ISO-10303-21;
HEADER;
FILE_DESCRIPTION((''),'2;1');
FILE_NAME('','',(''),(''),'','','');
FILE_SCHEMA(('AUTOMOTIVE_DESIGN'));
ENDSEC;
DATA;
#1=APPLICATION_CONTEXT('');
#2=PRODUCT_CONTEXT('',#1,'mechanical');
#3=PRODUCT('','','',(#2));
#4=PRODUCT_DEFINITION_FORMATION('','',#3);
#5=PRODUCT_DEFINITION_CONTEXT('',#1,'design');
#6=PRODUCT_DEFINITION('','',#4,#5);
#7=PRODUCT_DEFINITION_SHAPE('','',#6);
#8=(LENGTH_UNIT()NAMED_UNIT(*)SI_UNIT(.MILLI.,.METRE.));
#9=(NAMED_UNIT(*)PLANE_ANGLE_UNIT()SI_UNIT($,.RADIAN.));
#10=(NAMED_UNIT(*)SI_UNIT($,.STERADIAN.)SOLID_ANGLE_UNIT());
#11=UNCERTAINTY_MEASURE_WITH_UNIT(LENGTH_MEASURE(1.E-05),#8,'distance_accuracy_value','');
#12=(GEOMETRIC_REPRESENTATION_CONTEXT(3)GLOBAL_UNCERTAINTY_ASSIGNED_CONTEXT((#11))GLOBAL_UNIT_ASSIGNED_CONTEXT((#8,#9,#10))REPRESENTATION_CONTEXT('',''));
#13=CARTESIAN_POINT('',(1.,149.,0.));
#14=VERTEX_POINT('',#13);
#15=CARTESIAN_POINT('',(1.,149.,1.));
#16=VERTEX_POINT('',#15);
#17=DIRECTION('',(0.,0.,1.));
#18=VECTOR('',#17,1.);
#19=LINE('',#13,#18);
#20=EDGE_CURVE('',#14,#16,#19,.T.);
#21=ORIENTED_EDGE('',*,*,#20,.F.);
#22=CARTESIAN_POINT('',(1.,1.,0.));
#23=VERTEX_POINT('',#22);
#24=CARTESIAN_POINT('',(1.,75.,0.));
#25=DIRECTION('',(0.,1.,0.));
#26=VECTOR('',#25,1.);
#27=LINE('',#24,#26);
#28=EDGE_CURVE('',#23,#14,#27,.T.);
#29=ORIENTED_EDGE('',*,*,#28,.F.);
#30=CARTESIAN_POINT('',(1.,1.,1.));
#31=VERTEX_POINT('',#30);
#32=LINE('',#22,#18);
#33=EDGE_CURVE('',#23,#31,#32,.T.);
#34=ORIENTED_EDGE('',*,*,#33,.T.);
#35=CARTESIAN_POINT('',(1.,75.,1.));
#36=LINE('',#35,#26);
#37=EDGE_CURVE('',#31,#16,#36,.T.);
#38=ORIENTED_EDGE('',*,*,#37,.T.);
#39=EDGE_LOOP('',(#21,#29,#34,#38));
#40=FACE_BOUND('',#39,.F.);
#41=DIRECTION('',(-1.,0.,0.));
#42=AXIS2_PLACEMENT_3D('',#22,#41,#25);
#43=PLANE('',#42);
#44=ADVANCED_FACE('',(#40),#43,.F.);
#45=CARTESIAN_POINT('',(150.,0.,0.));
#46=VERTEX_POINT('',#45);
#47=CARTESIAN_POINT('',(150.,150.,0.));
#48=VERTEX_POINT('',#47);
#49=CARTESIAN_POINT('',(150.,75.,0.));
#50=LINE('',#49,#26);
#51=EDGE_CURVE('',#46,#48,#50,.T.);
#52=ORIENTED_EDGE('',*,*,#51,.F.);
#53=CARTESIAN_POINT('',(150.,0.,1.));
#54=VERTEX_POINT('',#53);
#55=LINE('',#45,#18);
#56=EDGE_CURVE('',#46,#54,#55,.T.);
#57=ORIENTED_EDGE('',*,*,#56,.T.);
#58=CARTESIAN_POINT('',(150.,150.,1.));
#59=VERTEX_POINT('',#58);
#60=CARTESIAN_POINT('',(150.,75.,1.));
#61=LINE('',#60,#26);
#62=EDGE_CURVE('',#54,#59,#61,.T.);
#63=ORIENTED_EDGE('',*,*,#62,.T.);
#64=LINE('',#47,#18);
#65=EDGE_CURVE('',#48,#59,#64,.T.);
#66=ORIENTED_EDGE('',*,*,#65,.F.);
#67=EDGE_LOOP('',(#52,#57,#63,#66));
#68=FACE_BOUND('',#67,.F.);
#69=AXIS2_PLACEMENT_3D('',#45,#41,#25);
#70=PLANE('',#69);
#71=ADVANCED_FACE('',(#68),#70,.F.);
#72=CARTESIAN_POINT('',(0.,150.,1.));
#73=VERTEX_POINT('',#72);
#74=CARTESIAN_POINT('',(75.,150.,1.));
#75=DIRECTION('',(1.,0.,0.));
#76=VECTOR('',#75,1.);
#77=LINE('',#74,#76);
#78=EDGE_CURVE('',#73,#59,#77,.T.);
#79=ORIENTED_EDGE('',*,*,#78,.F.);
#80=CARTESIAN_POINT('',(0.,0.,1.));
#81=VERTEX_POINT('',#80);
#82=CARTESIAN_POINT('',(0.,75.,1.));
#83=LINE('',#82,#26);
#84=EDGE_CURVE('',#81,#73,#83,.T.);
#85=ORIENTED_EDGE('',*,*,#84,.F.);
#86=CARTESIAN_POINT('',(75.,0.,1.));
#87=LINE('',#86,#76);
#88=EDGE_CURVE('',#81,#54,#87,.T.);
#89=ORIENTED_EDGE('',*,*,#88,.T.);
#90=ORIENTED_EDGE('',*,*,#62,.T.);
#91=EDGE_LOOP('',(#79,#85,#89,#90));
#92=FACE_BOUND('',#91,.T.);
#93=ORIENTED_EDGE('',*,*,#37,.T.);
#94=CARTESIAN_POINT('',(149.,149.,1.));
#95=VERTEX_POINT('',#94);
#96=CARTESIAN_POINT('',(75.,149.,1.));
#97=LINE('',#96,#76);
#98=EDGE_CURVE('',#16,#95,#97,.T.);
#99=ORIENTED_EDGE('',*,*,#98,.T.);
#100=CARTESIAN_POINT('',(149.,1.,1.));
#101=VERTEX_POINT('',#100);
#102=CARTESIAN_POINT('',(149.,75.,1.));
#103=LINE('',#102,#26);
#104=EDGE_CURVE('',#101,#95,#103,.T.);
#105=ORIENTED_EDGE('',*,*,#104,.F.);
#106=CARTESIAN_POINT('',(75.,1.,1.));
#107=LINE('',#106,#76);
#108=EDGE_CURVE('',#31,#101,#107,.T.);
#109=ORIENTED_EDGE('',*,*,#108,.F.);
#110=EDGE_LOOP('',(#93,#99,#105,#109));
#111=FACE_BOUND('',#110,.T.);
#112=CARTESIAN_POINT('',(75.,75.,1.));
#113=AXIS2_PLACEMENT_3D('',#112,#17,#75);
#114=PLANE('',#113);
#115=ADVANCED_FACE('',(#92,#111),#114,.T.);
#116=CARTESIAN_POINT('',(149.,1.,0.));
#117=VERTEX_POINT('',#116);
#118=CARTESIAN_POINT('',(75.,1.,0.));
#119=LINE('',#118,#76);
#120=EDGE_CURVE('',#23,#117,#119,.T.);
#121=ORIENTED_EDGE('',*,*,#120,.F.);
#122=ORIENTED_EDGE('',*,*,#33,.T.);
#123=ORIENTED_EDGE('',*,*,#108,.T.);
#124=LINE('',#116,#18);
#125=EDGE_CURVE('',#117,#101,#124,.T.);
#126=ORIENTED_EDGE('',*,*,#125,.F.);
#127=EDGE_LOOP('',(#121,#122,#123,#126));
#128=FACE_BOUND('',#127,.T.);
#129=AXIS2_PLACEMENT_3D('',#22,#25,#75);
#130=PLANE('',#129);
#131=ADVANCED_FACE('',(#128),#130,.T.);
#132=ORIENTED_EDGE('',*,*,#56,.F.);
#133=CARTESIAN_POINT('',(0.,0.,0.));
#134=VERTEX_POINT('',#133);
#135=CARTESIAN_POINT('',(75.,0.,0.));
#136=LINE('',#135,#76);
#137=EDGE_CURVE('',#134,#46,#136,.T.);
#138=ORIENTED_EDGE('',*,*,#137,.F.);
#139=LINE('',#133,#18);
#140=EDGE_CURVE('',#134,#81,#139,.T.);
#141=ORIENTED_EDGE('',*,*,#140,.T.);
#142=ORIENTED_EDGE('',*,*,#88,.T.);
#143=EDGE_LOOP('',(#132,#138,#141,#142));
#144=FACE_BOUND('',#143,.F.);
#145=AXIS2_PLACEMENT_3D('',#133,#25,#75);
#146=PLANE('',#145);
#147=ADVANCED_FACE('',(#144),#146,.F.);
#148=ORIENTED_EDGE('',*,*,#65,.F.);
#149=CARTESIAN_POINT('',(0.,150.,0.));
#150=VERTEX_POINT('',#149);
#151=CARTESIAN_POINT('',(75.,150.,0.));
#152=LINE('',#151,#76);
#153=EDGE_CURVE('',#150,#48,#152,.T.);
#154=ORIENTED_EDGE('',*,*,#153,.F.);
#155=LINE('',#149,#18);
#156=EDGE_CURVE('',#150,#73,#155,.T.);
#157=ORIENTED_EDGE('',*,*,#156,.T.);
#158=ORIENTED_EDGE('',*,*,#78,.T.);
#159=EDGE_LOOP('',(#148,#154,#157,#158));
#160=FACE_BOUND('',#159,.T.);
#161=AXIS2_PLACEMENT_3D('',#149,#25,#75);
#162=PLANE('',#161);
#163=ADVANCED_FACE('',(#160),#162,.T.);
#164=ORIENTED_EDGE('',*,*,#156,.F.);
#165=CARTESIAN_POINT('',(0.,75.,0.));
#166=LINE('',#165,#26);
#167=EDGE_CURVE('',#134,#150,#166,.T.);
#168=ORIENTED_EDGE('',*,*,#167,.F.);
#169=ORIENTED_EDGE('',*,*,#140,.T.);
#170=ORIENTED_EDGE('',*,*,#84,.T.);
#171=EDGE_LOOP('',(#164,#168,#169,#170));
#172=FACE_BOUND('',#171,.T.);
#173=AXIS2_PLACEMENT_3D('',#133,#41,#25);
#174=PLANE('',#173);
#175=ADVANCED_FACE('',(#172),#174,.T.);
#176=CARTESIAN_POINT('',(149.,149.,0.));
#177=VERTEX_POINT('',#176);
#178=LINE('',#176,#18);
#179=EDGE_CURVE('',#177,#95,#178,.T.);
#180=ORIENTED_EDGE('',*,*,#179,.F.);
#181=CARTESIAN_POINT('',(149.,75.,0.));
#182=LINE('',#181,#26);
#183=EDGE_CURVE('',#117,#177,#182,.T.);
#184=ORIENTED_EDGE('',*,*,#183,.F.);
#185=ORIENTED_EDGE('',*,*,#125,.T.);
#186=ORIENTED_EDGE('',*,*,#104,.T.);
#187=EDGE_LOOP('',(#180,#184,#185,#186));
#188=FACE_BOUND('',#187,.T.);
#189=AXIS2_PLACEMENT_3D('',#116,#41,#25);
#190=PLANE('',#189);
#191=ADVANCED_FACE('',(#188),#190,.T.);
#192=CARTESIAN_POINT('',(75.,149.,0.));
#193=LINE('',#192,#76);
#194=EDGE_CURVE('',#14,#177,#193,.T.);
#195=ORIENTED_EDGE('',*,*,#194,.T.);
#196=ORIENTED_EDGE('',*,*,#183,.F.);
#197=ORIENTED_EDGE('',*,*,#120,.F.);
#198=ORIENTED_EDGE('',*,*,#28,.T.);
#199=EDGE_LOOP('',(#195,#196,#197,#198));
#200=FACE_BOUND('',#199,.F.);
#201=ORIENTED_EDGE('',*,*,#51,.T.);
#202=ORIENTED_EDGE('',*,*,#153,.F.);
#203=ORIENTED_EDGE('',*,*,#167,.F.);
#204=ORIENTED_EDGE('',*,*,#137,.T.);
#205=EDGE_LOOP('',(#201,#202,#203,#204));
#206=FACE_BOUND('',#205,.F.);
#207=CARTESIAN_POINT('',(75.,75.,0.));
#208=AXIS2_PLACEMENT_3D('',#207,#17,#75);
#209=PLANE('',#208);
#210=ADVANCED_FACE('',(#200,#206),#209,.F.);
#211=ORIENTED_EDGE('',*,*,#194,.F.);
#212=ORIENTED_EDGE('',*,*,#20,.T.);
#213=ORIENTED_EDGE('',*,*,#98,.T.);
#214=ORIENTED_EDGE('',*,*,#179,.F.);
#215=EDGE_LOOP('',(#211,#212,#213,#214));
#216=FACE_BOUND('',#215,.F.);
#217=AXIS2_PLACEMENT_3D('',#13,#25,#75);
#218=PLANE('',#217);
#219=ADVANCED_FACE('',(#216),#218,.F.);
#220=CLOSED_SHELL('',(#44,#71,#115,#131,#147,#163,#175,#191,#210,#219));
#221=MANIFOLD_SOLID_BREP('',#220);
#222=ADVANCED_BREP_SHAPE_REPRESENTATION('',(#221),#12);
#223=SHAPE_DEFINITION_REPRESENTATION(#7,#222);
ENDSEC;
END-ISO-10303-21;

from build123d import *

# Parameters (mm, degrees)
SKETCH_W   = 150
SKETCH_H   = 150
SKETCH_W_2 = 148
SKETCH_H_2 = 148
PAD_DEPTH  = 1


with BuildPart() as part:
    # Sketch → Pad (new body)
    with BuildSketch(Plane.XY):
        with Locations((75, 75)):
            Rectangle(SKETCH_W, SKETCH_H)
        with Locations((75, 75)):
            Rectangle(SKETCH_W_2, SKETCH_H_2, mode=Mode.SUBTRACT)
    extrude(amount=PAD_DEPTH)


solid = part.part
